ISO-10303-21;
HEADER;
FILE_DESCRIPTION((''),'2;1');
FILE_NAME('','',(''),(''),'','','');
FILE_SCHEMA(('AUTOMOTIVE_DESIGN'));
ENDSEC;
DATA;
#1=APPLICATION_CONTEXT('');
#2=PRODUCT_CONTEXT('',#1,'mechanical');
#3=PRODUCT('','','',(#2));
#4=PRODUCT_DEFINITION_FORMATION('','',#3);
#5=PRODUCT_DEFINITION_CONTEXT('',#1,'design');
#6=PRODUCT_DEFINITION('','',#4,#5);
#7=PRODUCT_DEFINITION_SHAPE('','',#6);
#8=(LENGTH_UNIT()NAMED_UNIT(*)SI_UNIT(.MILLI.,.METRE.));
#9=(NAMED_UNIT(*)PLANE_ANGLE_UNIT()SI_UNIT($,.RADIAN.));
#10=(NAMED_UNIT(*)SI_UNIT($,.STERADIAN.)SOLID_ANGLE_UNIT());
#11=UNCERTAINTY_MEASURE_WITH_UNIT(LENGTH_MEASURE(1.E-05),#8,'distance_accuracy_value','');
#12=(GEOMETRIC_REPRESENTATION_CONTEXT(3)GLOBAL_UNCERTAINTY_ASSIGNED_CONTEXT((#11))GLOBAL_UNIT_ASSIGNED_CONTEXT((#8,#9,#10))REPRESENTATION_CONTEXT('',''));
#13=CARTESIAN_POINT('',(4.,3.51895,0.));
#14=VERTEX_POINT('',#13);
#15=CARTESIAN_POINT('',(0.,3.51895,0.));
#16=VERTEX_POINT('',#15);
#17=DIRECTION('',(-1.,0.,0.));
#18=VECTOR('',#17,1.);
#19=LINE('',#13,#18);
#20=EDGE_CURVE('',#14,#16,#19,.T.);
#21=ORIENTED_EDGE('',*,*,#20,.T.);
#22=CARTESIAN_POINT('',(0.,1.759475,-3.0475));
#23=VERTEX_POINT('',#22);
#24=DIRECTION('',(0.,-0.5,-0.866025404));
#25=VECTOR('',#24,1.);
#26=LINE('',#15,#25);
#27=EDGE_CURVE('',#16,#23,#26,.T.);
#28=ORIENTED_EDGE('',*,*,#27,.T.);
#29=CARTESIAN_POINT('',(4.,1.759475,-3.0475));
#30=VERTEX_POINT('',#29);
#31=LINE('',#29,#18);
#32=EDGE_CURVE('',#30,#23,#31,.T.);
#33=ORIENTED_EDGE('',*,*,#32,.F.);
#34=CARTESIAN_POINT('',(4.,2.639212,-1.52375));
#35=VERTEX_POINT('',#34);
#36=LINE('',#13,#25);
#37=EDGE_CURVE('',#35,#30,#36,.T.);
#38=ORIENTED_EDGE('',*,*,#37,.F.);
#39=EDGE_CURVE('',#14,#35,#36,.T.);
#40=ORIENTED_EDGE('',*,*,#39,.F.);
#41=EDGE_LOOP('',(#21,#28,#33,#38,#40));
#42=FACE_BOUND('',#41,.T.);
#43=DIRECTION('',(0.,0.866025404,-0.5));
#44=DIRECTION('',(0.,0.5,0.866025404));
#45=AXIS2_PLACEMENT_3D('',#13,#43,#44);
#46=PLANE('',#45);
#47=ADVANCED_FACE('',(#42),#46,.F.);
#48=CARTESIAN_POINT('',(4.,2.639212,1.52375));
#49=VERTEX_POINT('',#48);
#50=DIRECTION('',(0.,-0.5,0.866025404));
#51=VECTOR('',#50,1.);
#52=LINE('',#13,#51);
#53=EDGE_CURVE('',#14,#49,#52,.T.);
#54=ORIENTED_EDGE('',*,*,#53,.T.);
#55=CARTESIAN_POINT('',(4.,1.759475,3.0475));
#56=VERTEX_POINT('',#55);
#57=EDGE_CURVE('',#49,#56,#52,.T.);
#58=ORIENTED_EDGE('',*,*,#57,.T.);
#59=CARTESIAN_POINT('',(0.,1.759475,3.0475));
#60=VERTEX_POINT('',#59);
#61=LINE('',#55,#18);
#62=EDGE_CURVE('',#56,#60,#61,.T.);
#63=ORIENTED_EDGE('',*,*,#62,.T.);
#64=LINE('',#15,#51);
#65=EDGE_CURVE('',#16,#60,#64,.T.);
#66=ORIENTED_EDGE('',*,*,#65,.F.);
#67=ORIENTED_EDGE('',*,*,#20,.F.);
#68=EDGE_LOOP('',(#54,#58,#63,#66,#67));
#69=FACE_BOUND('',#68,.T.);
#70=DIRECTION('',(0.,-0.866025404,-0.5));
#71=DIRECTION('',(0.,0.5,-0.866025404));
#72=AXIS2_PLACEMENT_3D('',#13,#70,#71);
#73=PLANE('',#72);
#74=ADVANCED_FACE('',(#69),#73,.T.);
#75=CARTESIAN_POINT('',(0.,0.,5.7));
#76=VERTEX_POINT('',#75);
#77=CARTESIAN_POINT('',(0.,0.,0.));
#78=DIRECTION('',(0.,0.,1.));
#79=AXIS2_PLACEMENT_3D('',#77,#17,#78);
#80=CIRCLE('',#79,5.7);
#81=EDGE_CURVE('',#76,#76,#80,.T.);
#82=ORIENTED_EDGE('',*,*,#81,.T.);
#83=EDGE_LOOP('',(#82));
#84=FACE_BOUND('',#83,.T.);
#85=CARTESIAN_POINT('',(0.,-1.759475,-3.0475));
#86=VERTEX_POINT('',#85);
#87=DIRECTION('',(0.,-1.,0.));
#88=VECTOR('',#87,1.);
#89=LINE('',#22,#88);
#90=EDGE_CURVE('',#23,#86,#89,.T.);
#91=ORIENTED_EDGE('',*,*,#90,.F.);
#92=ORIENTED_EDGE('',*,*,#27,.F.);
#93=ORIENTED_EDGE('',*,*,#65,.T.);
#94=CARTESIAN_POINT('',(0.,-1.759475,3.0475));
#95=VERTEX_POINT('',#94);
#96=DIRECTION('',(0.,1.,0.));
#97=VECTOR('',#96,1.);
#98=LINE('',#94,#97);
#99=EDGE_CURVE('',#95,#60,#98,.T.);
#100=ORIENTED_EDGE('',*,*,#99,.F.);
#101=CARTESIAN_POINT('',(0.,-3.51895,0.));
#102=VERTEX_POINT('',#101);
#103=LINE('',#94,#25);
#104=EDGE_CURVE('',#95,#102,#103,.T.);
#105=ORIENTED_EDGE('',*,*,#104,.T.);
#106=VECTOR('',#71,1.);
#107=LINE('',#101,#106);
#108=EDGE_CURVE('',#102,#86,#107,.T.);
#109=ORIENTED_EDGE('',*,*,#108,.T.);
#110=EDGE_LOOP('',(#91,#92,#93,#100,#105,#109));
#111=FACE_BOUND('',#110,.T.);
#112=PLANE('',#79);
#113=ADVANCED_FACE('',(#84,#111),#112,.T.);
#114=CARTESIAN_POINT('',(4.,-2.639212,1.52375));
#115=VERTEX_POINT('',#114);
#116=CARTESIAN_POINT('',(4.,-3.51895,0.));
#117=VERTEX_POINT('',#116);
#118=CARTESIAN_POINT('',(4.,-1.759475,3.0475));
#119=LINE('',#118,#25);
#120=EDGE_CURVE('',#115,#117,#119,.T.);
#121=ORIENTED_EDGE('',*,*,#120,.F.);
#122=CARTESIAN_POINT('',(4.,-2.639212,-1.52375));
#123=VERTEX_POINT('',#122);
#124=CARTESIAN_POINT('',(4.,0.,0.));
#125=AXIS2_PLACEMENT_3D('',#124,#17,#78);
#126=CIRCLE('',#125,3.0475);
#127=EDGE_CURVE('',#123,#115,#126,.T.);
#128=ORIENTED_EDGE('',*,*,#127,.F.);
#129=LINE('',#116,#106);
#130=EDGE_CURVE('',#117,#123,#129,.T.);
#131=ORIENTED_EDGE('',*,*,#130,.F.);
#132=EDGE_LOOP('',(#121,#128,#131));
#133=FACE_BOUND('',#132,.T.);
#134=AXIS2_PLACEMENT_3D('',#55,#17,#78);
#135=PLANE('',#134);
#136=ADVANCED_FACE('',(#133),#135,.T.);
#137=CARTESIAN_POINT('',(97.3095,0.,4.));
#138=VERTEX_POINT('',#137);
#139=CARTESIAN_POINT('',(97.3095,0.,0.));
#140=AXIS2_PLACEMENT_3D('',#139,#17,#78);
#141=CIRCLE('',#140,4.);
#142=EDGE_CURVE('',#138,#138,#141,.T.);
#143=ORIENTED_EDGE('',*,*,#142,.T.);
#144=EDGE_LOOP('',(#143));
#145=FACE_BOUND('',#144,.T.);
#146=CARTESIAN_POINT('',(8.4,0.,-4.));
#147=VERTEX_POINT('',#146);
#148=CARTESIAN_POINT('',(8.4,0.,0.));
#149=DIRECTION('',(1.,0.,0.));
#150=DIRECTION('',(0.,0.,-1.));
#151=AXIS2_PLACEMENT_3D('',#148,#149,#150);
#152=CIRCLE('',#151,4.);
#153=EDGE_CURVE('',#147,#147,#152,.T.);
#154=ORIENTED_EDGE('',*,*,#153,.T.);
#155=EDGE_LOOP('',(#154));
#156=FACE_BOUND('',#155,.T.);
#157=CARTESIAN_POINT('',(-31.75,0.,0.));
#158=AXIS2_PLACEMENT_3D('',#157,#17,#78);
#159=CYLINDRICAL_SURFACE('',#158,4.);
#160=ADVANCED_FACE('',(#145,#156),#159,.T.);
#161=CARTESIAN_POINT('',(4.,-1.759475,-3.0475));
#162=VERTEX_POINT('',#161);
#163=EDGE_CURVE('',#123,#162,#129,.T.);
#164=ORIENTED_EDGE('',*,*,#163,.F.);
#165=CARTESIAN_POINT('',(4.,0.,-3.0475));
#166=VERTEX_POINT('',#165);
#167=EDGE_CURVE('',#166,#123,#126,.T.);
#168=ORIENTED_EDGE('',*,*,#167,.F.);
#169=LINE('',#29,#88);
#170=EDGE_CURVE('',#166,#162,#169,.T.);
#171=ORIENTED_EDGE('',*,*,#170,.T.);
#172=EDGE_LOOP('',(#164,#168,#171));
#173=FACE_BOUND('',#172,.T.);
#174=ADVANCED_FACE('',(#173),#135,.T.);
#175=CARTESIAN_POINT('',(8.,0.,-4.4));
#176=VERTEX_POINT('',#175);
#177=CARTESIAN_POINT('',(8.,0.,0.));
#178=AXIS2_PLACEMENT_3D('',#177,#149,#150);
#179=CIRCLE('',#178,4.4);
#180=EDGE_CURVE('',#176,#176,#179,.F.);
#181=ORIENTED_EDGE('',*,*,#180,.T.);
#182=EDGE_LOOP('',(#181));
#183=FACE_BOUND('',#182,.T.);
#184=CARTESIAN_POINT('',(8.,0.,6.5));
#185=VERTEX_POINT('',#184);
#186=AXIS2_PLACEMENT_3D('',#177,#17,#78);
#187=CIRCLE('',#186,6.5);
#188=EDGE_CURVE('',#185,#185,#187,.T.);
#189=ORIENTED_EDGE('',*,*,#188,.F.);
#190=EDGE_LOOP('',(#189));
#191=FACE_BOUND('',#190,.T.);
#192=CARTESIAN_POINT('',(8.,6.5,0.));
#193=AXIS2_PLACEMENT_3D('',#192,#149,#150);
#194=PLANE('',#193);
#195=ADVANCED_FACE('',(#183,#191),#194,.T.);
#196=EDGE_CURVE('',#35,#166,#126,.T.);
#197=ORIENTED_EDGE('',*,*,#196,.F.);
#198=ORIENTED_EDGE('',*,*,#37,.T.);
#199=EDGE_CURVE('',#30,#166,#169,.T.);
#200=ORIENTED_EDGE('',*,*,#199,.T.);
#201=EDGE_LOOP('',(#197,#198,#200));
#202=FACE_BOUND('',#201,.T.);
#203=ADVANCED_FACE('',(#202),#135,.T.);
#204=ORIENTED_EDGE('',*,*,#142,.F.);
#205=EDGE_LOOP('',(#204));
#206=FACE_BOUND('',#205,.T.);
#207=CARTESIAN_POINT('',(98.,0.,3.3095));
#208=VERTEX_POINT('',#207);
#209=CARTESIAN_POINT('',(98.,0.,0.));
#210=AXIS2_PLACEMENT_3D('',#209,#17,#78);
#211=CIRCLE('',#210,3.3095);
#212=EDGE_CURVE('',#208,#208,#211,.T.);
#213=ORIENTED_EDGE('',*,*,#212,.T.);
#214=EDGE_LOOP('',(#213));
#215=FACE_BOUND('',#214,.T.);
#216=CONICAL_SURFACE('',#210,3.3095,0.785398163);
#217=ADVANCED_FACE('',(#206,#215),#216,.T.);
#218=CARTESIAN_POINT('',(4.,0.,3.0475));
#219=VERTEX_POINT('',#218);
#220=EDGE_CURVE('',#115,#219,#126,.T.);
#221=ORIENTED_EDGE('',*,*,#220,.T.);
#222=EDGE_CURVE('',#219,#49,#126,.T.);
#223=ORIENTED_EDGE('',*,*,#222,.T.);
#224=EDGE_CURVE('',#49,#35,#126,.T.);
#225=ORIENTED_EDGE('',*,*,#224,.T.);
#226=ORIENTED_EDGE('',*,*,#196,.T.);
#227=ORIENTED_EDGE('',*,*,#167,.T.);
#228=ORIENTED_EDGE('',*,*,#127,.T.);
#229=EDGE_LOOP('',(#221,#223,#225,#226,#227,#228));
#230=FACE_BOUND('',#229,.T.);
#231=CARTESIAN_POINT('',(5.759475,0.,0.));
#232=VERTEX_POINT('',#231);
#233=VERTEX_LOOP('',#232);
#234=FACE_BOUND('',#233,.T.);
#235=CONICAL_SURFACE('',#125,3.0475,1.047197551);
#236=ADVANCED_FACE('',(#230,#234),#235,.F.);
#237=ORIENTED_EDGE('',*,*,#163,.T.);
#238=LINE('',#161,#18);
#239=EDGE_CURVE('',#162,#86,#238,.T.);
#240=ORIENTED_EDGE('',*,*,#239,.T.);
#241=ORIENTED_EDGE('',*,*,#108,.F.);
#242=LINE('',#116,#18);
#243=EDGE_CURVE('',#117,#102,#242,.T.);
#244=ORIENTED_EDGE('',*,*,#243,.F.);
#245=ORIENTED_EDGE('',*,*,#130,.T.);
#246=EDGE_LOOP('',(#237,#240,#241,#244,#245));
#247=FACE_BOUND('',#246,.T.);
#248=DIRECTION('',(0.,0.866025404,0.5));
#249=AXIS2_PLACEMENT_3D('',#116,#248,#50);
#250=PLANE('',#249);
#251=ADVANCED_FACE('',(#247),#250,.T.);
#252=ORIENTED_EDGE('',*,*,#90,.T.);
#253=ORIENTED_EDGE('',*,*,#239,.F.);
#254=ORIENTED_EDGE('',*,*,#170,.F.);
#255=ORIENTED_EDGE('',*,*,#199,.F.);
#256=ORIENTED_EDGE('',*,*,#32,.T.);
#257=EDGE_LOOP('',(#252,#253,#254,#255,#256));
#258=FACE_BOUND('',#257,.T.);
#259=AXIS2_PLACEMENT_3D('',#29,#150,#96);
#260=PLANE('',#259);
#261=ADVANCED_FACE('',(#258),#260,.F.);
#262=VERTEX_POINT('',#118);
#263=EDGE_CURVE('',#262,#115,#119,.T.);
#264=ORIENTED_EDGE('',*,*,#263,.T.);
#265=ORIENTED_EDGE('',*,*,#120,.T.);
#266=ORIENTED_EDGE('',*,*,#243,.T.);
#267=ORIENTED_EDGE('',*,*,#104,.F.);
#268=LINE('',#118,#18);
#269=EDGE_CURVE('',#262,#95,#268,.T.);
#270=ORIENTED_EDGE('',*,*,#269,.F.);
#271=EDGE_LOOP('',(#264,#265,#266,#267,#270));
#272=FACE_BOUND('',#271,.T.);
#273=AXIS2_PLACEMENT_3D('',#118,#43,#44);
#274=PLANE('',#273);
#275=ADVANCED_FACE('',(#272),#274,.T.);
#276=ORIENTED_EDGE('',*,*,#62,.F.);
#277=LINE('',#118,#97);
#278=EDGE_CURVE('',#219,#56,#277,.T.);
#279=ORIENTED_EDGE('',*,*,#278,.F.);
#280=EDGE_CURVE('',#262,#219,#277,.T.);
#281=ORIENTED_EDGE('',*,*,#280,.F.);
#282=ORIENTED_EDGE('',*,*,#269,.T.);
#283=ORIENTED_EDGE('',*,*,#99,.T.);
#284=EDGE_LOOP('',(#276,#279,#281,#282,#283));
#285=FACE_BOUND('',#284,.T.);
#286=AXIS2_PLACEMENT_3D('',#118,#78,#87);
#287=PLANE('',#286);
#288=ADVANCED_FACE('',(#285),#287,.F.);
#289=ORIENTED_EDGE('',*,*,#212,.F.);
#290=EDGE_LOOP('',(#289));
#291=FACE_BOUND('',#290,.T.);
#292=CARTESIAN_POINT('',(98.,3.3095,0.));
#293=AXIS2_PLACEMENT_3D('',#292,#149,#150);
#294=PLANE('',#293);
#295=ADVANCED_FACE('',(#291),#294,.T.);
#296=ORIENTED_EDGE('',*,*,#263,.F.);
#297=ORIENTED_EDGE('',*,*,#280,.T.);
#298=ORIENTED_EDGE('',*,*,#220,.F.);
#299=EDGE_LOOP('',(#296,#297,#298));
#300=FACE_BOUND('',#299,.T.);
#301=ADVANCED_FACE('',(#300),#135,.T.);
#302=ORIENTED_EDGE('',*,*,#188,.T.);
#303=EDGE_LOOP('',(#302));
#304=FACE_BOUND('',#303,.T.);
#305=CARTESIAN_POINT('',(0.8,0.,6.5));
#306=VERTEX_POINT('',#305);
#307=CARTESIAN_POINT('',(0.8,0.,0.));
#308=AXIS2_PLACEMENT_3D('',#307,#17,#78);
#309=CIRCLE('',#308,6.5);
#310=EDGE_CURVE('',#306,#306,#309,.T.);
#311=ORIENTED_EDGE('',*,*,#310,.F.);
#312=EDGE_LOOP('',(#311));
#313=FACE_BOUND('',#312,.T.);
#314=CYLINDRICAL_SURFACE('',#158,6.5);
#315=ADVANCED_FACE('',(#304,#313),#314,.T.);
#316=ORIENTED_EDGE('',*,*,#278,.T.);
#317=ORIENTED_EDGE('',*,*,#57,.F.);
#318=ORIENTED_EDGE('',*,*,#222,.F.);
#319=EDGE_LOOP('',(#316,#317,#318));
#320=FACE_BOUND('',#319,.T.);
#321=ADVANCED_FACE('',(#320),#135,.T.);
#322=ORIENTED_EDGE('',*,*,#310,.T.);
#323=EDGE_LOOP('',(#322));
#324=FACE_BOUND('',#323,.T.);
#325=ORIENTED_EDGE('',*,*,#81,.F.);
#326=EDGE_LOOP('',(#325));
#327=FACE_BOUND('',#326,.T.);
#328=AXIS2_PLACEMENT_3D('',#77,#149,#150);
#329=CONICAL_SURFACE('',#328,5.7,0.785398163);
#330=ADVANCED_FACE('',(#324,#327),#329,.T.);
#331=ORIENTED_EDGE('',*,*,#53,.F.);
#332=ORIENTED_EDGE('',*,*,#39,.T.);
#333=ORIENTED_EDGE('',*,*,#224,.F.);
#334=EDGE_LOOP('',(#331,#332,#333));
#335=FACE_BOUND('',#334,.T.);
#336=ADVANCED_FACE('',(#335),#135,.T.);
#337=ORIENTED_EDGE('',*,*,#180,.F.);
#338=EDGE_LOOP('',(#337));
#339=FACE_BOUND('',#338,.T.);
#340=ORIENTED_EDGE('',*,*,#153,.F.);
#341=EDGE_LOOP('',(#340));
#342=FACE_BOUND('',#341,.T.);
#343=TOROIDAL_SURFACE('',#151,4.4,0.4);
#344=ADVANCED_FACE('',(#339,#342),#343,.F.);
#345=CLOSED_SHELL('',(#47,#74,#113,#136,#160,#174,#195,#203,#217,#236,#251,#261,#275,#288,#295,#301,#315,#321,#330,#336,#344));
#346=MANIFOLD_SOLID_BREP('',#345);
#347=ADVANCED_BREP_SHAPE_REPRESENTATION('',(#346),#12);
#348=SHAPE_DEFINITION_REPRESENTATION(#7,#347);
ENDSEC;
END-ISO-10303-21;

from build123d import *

# Parameters (mm, degrees)
FILLET1_R   = 0.4
HEX_2_DEPTH = 4


with BuildPart() as part:
    # BodySke → Base-Revolve (revolve)
    with BuildSketch(Plane.XY, mode=Mode.PRIVATE) as base_revolve_sk:
        Polygon((0, 0), (0, 5.7), (0.8, 6.5), (8, 6.5), (8, 4), (97.3095, 4), (98, 3.3095), (98, 0), align=None)
    revolve(base_revolve_sk.sketch.rotate(Axis((-31.75, 0, 0), (1, 0, 0)), 90), axis=Axis((-31.75, 0, 0), (1, 0, 0)))

    # Fillet1
    fillet1_edges = [part.edges().sort_by_distance(p)[0] for p in [
        (8, 0, -4),
    ]]
    fillet(fillet1_edges, radius=FILLET1_R)

    # Sketch2 → Hex-PreBroach (revolve, cut)
    with BuildSketch(Plane.XY, mode=Mode.PRIVATE) as hex_prebroach_sk:
        Polygon((0, 3.0475), (4, 3.0475), (5.759474945, 0), (0, 0), align=None)
    revolve(hex_prebroach_sk.sketch.rotate(Axis((0, 0, 0), (1, 0, 0)), 90), axis=Axis((0, 0, 0), (1, 0, 0)), mode=Mode.SUBTRACT)

    # Sketch3 → Hex 2 (cut)
    with BuildSketch(Plane(origin=(0, 0, 0), x_dir=(0, 0.500000000000001, 0.866025403784438), z_dir=(-1, 0, 0))):
        Polygon((1.759474945, 3.0475), (-1.759474945, 3.0475), (-3.518949891, 0), (-1.759474945, -3.0475), (1.759474945, -3.0475), (3.518949891, 0), align=None)
    extrude(amount=-HEX_2_DEPTH, mode=Mode.SUBTRACT)


solid = part.part
